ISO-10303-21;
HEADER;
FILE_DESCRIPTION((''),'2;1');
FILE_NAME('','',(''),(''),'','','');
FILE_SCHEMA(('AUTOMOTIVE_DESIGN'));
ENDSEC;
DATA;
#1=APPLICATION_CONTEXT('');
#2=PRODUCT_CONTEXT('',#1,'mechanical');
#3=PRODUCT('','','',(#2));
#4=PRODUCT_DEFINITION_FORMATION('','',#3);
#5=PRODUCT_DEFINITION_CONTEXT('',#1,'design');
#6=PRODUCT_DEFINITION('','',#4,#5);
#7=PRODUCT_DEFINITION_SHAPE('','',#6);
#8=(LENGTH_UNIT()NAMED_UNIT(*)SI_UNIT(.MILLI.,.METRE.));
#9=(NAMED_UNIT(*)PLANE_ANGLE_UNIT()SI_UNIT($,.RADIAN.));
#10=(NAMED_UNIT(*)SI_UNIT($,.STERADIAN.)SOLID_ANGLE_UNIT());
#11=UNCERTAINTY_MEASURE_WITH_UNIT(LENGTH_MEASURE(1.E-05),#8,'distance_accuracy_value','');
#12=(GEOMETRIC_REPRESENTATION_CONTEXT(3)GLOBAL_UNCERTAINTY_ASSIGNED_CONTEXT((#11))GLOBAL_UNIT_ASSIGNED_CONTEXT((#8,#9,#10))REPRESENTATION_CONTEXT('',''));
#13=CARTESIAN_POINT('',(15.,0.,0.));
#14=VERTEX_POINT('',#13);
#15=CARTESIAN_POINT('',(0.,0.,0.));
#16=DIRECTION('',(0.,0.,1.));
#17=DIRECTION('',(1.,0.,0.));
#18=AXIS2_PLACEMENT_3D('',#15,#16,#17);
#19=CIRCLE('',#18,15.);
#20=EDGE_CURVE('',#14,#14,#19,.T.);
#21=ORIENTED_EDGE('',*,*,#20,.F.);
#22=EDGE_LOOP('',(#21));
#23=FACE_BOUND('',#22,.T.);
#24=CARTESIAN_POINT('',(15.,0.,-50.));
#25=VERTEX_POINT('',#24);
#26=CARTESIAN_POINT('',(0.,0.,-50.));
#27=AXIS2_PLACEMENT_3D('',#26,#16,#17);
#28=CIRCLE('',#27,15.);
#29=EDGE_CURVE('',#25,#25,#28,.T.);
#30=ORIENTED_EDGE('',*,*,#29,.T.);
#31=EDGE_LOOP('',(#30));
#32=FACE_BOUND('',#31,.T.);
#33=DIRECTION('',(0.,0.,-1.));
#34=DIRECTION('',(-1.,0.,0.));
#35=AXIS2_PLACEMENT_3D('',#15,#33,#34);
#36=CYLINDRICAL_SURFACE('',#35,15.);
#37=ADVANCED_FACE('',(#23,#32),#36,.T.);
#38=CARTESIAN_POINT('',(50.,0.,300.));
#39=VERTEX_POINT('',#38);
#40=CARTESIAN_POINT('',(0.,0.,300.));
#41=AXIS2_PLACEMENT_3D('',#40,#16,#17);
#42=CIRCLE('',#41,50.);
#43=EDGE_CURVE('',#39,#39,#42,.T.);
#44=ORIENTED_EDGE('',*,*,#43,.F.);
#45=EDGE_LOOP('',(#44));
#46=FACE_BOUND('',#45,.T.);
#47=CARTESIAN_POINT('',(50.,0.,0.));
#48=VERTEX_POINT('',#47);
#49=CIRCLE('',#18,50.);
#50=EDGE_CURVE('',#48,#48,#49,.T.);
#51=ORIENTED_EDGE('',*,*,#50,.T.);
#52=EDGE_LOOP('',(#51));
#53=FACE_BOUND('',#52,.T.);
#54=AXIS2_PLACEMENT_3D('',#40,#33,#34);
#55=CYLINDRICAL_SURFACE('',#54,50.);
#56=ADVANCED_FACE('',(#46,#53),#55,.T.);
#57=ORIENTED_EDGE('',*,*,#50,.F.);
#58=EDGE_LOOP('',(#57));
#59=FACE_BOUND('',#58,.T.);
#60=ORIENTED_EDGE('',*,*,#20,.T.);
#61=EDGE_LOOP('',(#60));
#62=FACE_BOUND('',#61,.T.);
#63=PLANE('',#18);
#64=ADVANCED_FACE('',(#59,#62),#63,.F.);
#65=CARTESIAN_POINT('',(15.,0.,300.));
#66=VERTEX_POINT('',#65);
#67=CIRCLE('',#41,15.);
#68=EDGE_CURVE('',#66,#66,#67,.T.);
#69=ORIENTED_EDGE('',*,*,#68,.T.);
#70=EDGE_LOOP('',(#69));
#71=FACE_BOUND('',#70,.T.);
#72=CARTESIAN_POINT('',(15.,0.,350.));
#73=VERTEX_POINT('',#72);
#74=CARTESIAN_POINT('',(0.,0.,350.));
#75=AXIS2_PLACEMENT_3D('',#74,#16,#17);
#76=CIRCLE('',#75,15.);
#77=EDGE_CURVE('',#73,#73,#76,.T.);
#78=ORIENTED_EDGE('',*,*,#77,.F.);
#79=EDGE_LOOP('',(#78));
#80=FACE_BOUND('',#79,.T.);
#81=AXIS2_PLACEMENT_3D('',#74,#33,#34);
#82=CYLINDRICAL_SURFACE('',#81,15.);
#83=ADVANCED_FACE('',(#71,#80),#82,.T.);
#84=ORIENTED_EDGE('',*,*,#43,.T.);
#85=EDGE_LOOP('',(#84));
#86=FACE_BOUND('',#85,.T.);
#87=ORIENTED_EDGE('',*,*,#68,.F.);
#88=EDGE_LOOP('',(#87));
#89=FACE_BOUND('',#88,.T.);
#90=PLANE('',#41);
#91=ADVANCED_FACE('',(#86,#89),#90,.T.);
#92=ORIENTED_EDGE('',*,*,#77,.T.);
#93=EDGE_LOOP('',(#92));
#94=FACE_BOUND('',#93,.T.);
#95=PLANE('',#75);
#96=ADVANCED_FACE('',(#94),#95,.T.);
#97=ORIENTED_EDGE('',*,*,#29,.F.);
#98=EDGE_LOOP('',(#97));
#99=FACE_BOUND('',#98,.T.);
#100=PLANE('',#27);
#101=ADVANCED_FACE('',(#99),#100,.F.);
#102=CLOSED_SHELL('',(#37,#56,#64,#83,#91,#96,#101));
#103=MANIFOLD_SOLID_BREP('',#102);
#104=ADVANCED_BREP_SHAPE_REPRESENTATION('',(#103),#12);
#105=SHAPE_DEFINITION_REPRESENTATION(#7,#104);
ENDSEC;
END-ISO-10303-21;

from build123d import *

# Parameters (mm, degrees)
SKETCH1_R           = 50
BOSS_EXTRUDE1_DEPTH = 300
SKETCH2_R           = 15
BOSS_EXTRUDE2_DEPTH = 50
LPATTERN1_COUNT     = 2
LPATTERN1_PITCH     = 350


with BuildPart() as part:
    # Sketch1 → Boss-Extrude1 (new body)
    with BuildSketch(Plane.XY):
        Circle(SKETCH1_R)
    extrude(amount=BOSS_EXTRUDE1_DEPTH)

    # Sketch2 → Boss-Extrude2 (add)
    with BuildSketch(Plane.XY.offset(300)):
        Circle(SKETCH2_R)
    boss_extrude2 = extrude(amount=BOSS_EXTRUDE2_DEPTH)

    # LPattern1: Boss-Extrude2 ×2
    with Locations(*[(0, 0, -i * LPATTERN1_PITCH) for i in range(1, LPATTERN1_COUNT)]):
        add(boss_extrude2)


solid = part.part
